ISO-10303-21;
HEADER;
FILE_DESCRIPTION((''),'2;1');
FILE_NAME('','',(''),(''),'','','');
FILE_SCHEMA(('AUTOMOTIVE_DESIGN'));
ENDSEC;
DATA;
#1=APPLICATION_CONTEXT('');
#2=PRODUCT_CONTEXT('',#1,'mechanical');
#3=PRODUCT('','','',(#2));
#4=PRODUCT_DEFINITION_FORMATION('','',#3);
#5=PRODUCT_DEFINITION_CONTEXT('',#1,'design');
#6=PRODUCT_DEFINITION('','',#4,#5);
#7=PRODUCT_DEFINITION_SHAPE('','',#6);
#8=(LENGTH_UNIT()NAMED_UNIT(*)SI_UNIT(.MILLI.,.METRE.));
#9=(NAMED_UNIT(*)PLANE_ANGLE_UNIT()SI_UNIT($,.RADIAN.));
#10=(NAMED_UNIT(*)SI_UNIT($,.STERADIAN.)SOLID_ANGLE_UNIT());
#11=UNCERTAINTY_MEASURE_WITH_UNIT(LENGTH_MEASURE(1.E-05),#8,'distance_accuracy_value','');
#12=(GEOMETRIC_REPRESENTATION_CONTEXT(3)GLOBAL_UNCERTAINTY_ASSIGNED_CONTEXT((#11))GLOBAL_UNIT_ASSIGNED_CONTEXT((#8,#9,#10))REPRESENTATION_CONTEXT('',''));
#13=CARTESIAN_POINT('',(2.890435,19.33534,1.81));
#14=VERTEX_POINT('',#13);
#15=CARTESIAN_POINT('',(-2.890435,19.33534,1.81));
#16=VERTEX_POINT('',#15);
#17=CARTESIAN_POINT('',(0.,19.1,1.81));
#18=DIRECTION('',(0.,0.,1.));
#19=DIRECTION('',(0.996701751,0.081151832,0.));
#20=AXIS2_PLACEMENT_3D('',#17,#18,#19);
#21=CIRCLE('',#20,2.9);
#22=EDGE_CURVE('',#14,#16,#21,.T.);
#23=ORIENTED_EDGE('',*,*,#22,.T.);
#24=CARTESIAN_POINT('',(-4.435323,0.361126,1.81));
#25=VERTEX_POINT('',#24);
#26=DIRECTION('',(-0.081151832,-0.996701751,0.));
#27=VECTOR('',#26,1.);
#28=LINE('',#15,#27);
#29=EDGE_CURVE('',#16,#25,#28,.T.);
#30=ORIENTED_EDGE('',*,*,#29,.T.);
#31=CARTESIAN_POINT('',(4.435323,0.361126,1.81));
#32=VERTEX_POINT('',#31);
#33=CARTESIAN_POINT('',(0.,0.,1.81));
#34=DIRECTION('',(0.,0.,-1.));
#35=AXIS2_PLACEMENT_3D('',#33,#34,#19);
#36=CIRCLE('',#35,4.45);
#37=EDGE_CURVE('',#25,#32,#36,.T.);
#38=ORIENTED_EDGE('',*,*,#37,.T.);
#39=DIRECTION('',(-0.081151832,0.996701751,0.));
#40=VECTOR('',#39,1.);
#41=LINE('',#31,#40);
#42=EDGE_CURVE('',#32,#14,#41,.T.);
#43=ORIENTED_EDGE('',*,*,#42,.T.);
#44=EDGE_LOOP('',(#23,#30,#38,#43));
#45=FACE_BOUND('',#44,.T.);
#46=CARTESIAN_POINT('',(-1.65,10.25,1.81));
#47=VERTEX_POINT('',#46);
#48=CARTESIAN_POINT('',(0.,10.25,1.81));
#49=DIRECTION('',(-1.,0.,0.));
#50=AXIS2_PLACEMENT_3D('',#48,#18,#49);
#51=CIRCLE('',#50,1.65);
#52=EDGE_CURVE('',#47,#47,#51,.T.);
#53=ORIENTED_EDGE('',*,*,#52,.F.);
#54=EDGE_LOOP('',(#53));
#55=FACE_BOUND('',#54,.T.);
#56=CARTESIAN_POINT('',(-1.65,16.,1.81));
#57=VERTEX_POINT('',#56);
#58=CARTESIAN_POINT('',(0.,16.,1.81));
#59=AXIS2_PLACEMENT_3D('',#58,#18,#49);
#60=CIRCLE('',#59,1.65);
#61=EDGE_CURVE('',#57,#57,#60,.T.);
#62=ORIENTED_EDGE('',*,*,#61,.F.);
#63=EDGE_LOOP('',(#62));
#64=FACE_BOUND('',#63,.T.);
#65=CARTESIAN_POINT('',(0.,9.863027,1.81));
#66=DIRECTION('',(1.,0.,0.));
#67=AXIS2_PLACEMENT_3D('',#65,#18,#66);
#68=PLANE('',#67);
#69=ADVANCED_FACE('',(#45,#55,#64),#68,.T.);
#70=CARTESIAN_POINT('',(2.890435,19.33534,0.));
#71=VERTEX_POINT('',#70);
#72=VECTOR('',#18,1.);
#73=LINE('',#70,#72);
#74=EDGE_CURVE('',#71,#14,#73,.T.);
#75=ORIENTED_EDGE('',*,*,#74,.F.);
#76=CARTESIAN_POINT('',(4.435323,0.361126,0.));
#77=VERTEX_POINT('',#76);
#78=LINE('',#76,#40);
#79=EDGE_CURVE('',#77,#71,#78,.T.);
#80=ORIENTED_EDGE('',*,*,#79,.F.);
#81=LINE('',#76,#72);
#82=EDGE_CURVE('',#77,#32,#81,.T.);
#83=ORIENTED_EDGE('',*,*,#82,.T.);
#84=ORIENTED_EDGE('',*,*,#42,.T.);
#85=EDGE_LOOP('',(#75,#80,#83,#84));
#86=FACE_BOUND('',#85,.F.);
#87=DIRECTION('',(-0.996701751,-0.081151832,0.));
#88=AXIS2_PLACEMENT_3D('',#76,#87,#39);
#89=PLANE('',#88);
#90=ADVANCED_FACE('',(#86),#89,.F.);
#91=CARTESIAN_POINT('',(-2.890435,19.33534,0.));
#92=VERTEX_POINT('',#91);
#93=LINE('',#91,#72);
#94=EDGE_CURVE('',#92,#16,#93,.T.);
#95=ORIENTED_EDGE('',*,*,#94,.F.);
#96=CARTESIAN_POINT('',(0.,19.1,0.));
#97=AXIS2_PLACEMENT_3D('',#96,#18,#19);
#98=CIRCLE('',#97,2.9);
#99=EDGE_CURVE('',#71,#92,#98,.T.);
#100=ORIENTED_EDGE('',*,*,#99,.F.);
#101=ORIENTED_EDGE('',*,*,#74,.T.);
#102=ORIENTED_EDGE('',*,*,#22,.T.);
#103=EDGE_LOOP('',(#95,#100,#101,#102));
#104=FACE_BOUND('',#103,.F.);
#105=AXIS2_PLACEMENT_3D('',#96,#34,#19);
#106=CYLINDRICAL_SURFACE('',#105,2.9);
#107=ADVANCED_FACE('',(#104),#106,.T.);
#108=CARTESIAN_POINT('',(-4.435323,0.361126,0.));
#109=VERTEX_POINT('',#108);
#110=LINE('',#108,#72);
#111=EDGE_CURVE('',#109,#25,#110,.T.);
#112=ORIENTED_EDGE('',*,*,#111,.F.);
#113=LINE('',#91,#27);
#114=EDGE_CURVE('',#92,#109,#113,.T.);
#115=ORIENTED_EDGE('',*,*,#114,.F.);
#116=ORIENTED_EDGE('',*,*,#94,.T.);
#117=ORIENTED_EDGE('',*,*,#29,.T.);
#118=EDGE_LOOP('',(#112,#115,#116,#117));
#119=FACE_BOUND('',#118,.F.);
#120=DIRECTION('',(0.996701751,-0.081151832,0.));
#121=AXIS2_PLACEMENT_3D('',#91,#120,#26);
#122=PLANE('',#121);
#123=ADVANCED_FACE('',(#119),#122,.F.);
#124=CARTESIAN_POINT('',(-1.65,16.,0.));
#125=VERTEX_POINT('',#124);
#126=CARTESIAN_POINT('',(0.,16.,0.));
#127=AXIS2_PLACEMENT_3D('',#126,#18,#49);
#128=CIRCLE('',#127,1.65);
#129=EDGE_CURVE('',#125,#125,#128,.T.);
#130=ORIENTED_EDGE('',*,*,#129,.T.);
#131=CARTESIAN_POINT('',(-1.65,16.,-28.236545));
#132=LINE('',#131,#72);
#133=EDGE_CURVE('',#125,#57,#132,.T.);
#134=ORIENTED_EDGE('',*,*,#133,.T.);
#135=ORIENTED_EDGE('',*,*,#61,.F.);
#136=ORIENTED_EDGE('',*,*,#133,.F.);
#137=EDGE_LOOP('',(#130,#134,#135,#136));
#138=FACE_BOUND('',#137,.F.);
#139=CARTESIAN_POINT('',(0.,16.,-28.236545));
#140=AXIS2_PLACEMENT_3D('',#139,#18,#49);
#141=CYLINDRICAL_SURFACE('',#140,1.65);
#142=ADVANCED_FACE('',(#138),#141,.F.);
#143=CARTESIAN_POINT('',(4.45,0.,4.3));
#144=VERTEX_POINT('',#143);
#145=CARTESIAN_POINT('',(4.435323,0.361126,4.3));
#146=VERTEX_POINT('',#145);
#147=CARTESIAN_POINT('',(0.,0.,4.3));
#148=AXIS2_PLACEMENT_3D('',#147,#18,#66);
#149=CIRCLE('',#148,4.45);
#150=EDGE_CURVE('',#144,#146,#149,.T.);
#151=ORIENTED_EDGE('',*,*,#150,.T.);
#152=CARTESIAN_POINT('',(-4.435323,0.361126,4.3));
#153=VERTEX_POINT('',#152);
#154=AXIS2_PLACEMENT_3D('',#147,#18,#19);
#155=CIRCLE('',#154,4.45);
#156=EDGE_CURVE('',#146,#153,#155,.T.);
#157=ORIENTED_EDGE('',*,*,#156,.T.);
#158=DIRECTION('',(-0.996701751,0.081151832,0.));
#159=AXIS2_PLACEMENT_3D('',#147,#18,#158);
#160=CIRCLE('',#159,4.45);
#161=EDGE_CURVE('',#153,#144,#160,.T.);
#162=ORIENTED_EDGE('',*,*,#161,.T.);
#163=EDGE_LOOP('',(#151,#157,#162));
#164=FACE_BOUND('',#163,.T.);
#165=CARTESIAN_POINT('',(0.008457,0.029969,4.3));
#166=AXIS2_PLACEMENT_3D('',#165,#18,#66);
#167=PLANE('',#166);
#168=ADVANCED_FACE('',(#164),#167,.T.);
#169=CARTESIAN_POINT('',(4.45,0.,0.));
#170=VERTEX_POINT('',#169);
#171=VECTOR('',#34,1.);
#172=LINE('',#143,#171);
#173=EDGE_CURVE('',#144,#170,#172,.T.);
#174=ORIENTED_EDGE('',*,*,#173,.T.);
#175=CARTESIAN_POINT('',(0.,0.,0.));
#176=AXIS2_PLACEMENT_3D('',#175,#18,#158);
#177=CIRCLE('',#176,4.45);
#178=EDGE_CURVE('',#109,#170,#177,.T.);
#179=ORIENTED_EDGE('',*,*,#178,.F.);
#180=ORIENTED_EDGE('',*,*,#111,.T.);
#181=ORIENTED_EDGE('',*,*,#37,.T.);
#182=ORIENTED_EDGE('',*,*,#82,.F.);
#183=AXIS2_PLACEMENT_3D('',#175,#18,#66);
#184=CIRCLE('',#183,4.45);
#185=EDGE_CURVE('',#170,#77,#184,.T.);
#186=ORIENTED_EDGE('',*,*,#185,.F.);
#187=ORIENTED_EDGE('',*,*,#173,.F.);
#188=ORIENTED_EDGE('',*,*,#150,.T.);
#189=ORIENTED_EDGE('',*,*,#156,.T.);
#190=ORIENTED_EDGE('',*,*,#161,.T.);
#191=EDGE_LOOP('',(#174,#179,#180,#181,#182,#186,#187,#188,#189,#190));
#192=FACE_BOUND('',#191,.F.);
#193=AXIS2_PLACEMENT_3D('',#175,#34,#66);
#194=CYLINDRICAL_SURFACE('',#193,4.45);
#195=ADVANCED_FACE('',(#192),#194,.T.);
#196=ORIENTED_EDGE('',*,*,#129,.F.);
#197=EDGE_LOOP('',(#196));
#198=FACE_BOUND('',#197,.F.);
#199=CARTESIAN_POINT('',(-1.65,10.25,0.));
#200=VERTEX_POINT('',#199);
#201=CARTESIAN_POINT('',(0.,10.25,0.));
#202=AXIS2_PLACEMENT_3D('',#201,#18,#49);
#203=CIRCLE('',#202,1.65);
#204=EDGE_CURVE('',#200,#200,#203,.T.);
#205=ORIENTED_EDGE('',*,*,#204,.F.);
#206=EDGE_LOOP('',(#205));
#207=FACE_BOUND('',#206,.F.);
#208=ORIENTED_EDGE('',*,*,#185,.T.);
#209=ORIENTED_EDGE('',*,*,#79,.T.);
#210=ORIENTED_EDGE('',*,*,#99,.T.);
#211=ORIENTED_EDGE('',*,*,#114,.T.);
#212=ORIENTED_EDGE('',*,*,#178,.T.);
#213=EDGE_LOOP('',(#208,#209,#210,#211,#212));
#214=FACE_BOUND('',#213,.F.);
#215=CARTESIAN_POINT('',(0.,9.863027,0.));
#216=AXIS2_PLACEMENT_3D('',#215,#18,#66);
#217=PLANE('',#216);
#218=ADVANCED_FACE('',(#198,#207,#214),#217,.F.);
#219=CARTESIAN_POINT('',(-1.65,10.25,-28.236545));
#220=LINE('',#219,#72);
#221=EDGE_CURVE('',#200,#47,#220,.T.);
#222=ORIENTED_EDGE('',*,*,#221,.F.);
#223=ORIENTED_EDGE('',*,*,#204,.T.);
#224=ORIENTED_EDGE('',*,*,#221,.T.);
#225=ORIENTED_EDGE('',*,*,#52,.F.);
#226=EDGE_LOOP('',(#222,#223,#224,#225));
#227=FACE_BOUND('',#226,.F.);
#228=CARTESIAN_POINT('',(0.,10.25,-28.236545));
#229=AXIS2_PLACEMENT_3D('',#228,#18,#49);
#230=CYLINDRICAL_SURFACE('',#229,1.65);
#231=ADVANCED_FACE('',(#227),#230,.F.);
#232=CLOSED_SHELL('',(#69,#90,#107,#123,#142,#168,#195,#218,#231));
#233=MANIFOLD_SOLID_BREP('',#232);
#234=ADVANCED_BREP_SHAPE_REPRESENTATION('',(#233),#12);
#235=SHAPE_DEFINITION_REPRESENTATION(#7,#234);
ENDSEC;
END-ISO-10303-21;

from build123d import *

# Parameters (mm, degrees)
F1_DEPTH = 1.81
F2_DEPTH = 4.3
F4_D     = 3.3


with BuildPart() as f1:
    # F0 (on Top) → F1 (new body)
    with BuildSketch(Plane.XY):
        with BuildLine():
            ThreePointArc((-4.4353227912, 0.3611256545), (0, 4.45), (4.4353227912, 0.3611256545))
            Line((4.4353227912, 0.3611256545), (2.8904350774, 19.3353403141))
            ThreePointArc((2.8904350774, 19.3353403141), (0, 22), (-2.8904350774, 19.3353403141))
            Line((-2.8904350774, 19.3353403141), (-4.4353227912, 0.3611256545))
        make_face()
        with BuildLine():
            ThreePointArc((-4.4353227912, 0.3611256545), (-0.1807118969, -4.4463291838), (4.45, 0))
            ThreePointArc((4.45, 0), (4.4463291838, 0.1807118969), (4.4353227912, 0.3611256545))
            ThreePointArc((4.4353227912, 0.3611256545), (0, 4.45), (-4.4353227912, 0.3611256545))
        make_face()
    extrude(amount=F1_DEPTH)

    # F0 (on Top) → F2 (join)
    with BuildSketch(Plane.XY):
        with BuildLine():
            ThreePointArc((-4.4353227912, 0.3611256545), (-0.1807118969, -4.4463291838), (4.45, 0))
            ThreePointArc((4.45, 0), (4.4463291838, 0.1807118969), (4.4353227912, 0.3611256545))
            ThreePointArc((4.4353227912, 0.3611256545), (0, 4.45), (-4.4353227912, 0.3611256545))
        make_face()
    extrude(amount=F2_DEPTH)

    # F4 (through all)
    with Locations(Plane(origin=(0, 0, 0), x_dir=(1, 0, 0), z_dir=(0, 0, -1))):
        with Locations((0, -10.25), (0, -16)):
            Hole(F4_D / 2)


solid = f1.part
